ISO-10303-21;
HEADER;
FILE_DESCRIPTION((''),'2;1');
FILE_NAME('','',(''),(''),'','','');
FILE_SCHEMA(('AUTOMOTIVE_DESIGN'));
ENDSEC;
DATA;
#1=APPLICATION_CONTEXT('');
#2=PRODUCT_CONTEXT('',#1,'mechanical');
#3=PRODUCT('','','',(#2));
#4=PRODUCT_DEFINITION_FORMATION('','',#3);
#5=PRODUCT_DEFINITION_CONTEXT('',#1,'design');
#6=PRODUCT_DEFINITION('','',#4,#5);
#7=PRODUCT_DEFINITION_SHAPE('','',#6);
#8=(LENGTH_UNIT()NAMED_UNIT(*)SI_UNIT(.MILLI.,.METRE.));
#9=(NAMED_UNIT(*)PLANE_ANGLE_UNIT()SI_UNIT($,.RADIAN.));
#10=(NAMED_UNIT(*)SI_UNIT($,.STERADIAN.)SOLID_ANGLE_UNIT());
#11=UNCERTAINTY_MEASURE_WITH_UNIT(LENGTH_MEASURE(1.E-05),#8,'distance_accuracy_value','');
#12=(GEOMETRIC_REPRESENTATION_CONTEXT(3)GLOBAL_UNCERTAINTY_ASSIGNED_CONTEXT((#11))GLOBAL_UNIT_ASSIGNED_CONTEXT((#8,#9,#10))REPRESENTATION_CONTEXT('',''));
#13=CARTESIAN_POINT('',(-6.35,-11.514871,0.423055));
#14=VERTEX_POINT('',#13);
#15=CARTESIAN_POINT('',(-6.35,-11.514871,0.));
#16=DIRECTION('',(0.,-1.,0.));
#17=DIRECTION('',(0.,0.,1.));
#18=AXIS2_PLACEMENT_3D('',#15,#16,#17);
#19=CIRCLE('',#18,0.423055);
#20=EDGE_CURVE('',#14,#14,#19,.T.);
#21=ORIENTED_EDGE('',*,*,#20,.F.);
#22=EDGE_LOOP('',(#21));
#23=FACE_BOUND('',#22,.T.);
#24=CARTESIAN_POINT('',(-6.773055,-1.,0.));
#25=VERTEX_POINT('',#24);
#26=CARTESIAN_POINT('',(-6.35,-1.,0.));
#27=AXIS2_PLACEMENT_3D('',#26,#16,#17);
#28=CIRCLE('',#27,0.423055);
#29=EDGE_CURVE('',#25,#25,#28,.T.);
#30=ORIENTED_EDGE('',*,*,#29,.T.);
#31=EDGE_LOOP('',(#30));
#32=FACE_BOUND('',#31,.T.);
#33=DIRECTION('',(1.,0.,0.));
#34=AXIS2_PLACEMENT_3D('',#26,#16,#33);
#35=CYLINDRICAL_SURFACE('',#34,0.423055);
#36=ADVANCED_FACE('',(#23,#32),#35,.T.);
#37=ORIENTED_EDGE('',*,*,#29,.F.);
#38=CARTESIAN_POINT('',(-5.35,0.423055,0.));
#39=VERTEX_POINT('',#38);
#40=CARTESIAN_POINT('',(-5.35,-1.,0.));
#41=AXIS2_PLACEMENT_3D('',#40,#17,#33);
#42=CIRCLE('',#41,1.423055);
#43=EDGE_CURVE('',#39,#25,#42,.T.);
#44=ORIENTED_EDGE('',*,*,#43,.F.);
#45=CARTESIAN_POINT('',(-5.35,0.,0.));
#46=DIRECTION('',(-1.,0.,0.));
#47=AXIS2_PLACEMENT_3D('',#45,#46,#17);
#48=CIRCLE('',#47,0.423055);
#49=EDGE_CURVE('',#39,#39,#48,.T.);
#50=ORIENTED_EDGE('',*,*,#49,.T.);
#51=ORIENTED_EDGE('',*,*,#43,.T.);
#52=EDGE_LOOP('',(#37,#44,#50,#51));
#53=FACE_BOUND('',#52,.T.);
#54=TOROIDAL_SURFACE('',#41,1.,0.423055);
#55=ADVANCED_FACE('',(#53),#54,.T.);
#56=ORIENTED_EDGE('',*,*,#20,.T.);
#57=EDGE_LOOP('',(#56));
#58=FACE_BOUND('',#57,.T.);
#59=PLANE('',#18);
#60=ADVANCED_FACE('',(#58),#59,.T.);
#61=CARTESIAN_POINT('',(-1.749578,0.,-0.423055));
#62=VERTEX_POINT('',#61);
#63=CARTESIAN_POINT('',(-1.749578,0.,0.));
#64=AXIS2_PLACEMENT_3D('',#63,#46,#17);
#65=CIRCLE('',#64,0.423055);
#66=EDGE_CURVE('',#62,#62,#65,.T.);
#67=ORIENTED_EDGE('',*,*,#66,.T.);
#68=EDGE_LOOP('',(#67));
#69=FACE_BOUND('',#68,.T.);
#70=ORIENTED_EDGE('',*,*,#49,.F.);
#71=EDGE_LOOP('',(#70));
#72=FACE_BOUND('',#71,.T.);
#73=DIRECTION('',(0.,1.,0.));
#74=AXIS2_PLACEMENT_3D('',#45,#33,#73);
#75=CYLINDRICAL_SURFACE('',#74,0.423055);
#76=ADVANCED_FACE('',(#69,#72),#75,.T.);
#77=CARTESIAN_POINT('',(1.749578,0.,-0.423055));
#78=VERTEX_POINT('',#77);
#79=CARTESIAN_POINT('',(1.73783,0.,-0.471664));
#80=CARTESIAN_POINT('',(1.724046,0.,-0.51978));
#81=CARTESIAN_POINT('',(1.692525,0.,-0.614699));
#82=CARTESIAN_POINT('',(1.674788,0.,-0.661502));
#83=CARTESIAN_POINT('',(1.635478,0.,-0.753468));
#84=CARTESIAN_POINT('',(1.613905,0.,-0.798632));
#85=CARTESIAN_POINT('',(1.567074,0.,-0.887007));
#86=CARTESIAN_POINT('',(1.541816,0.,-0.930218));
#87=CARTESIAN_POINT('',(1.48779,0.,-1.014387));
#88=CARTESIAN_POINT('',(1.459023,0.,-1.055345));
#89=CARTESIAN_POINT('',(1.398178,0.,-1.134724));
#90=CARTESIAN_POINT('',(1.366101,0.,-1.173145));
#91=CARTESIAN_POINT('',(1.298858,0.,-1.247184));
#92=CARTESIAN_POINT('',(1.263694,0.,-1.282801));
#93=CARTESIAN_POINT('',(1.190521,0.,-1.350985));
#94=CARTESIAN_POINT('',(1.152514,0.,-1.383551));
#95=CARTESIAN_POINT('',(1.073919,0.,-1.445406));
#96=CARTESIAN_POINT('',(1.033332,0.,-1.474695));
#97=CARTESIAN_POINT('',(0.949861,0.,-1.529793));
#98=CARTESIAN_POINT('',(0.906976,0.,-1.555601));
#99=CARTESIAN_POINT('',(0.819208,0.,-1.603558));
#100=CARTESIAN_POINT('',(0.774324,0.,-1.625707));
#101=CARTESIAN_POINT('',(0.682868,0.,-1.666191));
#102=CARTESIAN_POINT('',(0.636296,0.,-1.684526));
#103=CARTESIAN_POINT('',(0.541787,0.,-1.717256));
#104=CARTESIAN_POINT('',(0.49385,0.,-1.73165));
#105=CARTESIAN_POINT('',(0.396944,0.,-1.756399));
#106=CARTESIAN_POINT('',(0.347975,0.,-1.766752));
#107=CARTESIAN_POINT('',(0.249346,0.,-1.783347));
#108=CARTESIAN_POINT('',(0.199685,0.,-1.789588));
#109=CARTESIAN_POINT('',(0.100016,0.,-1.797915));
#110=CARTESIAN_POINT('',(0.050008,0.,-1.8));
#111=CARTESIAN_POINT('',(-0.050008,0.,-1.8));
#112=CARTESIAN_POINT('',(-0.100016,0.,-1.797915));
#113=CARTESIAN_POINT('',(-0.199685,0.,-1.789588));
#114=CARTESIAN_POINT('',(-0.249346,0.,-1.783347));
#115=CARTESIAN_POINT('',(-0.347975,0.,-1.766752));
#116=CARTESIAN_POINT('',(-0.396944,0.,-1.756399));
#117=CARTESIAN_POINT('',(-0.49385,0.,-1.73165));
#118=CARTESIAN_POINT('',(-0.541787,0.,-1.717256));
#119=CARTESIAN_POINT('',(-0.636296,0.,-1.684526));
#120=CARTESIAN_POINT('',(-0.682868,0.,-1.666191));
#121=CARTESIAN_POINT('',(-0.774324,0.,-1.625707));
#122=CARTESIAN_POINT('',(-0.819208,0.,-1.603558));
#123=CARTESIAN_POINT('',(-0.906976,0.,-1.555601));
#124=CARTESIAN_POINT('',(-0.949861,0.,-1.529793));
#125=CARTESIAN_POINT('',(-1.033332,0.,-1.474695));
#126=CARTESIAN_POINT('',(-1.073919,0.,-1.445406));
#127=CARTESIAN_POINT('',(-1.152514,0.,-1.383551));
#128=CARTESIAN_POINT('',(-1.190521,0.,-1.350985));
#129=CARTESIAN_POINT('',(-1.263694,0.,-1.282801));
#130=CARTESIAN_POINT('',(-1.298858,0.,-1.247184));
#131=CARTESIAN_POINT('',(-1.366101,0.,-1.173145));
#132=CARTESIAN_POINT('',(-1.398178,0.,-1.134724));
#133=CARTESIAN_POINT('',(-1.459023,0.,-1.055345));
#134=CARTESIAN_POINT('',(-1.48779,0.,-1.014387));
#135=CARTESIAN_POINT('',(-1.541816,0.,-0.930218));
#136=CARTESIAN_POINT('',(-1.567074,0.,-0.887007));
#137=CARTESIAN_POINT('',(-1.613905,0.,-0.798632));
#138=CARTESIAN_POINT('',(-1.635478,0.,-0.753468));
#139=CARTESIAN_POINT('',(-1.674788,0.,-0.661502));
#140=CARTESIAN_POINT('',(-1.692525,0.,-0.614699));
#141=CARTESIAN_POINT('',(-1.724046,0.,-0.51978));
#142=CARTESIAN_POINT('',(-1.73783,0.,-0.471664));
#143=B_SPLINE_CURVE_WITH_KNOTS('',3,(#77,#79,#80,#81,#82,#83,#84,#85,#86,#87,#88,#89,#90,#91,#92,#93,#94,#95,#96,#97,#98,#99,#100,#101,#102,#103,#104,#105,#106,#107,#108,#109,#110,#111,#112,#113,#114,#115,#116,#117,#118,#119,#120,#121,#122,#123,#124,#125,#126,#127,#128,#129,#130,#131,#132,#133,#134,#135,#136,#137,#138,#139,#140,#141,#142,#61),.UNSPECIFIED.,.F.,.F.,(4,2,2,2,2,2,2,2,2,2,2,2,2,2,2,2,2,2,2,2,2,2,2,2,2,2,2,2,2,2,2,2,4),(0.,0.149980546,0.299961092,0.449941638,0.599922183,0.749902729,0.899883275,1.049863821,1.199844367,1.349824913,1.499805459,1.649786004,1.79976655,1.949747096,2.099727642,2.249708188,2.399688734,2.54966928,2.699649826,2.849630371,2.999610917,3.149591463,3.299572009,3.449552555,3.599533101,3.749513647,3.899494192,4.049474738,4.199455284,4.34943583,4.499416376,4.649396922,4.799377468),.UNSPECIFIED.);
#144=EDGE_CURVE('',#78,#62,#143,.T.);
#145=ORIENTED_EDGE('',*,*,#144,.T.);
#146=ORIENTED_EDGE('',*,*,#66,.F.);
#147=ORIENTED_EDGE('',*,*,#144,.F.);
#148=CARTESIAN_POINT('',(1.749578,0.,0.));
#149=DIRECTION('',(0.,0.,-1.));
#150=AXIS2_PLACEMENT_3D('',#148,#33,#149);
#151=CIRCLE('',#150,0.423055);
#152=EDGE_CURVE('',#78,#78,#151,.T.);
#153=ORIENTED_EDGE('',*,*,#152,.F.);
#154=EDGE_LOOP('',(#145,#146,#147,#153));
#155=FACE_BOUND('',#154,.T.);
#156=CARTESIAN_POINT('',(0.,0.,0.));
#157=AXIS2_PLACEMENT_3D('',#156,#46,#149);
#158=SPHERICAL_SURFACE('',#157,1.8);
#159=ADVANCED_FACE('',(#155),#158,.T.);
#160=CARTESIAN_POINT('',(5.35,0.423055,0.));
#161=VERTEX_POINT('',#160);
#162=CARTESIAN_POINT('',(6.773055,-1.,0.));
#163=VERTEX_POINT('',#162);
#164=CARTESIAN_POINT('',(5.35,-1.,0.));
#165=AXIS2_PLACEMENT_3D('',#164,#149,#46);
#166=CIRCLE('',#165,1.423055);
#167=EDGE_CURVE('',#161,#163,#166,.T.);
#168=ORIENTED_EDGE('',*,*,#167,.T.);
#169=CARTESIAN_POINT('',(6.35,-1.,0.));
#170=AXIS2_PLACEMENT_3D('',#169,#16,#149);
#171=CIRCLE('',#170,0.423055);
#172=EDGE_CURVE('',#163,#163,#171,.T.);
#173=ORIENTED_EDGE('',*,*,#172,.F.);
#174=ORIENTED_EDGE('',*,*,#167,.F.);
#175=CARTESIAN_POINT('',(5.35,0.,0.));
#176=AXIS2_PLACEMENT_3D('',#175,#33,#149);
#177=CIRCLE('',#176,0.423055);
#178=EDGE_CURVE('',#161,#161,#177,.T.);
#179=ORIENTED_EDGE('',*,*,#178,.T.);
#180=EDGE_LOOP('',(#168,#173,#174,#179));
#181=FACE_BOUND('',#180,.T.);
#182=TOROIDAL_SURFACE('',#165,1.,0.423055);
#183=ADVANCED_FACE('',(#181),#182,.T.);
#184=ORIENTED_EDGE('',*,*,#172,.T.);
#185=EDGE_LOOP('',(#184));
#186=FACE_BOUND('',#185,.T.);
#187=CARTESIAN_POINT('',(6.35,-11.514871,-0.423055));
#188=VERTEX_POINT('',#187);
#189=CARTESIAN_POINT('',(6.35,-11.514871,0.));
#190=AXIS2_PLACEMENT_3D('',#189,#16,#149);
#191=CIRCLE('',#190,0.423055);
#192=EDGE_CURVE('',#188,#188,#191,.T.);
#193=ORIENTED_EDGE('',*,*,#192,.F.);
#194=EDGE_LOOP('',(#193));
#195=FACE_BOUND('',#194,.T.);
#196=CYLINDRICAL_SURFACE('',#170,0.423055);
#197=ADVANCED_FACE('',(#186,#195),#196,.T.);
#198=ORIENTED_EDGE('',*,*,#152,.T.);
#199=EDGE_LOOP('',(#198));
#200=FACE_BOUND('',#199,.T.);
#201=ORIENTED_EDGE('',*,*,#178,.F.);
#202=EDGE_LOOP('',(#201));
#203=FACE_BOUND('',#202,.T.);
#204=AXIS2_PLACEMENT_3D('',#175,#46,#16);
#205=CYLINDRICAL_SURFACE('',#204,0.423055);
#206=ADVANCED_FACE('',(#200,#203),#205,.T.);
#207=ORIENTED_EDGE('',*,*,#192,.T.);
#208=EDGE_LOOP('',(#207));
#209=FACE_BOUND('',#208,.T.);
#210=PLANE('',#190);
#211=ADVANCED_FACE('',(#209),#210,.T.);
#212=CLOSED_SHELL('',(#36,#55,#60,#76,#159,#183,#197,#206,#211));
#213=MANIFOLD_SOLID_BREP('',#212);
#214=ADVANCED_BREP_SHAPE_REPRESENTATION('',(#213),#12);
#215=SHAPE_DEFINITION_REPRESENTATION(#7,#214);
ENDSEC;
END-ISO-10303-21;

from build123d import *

# Parameters (mm, degrees)
SKETCH_3_R = 0.423054932
SKETCH_5_R = 0.423054932


with BuildPart() as part:
    # Эскиз1 → Повернуть2 (revolve)
    with BuildSketch(Plane(origin=(0, 0, 0), x_dir=(1, 0, 0), z_dir=(0, 1, 0))):
        with BuildLine():
            ThreePointArc((-1.749578385, 0.423054932), (0, 1.8), (1.749578385, 0.423054932))
            Line((1.749578385, 0.423054932), (1.749578385, 0))
            Line((1.749578385, 0), (-1.749578385, 0))
            Line((-1.749578385, 0), (-1.749578385, 0.423054932))
        make_face()
    revolve(axis=Axis((-29.751182373, 0, 0), (1, 0, 0)))

    # По траектории1: sweep along a path in Эскиз2
    with BuildLine(Plane.XY) as sweep_1_path:
        Line((-0.817553267, 0), (-5.35, 0))
        ThreePointArc((-5.35, 0), (-6.057106781, -0.292893219), (-6.35, -1))
        Line((-6.35, -1), (-6.35, -11.514871198))
    # Эскиз3 → По траектории1 (sweep)
    with BuildSketch(Plane.ZY.offset(1.749578385)):
        Circle(SKETCH_3_R)
    sweep(path=sweep_1_path.line)

    # По траектории2: sweep along a path in Эскиз4
    with BuildLine(Plane.XY) as sweep_2_path:
        Line((6.35, -11.514871198), (6.35, -1))
        ThreePointArc((6.35, -1), (6.057106781, -0.292893219), (5.35, 0))
        Line((5.35, 0), (0.821594736, 0))
    # Эскиз5 → По траектории2 (sweep)
    with BuildSketch(Plane(origin=(1.749578385, 0, 0), x_dir=(0, 0, -1), z_dir=(1, 0, 0))):
        Circle(SKETCH_5_R)
    sweep(path=sweep_2_path.line)


solid = part.part
